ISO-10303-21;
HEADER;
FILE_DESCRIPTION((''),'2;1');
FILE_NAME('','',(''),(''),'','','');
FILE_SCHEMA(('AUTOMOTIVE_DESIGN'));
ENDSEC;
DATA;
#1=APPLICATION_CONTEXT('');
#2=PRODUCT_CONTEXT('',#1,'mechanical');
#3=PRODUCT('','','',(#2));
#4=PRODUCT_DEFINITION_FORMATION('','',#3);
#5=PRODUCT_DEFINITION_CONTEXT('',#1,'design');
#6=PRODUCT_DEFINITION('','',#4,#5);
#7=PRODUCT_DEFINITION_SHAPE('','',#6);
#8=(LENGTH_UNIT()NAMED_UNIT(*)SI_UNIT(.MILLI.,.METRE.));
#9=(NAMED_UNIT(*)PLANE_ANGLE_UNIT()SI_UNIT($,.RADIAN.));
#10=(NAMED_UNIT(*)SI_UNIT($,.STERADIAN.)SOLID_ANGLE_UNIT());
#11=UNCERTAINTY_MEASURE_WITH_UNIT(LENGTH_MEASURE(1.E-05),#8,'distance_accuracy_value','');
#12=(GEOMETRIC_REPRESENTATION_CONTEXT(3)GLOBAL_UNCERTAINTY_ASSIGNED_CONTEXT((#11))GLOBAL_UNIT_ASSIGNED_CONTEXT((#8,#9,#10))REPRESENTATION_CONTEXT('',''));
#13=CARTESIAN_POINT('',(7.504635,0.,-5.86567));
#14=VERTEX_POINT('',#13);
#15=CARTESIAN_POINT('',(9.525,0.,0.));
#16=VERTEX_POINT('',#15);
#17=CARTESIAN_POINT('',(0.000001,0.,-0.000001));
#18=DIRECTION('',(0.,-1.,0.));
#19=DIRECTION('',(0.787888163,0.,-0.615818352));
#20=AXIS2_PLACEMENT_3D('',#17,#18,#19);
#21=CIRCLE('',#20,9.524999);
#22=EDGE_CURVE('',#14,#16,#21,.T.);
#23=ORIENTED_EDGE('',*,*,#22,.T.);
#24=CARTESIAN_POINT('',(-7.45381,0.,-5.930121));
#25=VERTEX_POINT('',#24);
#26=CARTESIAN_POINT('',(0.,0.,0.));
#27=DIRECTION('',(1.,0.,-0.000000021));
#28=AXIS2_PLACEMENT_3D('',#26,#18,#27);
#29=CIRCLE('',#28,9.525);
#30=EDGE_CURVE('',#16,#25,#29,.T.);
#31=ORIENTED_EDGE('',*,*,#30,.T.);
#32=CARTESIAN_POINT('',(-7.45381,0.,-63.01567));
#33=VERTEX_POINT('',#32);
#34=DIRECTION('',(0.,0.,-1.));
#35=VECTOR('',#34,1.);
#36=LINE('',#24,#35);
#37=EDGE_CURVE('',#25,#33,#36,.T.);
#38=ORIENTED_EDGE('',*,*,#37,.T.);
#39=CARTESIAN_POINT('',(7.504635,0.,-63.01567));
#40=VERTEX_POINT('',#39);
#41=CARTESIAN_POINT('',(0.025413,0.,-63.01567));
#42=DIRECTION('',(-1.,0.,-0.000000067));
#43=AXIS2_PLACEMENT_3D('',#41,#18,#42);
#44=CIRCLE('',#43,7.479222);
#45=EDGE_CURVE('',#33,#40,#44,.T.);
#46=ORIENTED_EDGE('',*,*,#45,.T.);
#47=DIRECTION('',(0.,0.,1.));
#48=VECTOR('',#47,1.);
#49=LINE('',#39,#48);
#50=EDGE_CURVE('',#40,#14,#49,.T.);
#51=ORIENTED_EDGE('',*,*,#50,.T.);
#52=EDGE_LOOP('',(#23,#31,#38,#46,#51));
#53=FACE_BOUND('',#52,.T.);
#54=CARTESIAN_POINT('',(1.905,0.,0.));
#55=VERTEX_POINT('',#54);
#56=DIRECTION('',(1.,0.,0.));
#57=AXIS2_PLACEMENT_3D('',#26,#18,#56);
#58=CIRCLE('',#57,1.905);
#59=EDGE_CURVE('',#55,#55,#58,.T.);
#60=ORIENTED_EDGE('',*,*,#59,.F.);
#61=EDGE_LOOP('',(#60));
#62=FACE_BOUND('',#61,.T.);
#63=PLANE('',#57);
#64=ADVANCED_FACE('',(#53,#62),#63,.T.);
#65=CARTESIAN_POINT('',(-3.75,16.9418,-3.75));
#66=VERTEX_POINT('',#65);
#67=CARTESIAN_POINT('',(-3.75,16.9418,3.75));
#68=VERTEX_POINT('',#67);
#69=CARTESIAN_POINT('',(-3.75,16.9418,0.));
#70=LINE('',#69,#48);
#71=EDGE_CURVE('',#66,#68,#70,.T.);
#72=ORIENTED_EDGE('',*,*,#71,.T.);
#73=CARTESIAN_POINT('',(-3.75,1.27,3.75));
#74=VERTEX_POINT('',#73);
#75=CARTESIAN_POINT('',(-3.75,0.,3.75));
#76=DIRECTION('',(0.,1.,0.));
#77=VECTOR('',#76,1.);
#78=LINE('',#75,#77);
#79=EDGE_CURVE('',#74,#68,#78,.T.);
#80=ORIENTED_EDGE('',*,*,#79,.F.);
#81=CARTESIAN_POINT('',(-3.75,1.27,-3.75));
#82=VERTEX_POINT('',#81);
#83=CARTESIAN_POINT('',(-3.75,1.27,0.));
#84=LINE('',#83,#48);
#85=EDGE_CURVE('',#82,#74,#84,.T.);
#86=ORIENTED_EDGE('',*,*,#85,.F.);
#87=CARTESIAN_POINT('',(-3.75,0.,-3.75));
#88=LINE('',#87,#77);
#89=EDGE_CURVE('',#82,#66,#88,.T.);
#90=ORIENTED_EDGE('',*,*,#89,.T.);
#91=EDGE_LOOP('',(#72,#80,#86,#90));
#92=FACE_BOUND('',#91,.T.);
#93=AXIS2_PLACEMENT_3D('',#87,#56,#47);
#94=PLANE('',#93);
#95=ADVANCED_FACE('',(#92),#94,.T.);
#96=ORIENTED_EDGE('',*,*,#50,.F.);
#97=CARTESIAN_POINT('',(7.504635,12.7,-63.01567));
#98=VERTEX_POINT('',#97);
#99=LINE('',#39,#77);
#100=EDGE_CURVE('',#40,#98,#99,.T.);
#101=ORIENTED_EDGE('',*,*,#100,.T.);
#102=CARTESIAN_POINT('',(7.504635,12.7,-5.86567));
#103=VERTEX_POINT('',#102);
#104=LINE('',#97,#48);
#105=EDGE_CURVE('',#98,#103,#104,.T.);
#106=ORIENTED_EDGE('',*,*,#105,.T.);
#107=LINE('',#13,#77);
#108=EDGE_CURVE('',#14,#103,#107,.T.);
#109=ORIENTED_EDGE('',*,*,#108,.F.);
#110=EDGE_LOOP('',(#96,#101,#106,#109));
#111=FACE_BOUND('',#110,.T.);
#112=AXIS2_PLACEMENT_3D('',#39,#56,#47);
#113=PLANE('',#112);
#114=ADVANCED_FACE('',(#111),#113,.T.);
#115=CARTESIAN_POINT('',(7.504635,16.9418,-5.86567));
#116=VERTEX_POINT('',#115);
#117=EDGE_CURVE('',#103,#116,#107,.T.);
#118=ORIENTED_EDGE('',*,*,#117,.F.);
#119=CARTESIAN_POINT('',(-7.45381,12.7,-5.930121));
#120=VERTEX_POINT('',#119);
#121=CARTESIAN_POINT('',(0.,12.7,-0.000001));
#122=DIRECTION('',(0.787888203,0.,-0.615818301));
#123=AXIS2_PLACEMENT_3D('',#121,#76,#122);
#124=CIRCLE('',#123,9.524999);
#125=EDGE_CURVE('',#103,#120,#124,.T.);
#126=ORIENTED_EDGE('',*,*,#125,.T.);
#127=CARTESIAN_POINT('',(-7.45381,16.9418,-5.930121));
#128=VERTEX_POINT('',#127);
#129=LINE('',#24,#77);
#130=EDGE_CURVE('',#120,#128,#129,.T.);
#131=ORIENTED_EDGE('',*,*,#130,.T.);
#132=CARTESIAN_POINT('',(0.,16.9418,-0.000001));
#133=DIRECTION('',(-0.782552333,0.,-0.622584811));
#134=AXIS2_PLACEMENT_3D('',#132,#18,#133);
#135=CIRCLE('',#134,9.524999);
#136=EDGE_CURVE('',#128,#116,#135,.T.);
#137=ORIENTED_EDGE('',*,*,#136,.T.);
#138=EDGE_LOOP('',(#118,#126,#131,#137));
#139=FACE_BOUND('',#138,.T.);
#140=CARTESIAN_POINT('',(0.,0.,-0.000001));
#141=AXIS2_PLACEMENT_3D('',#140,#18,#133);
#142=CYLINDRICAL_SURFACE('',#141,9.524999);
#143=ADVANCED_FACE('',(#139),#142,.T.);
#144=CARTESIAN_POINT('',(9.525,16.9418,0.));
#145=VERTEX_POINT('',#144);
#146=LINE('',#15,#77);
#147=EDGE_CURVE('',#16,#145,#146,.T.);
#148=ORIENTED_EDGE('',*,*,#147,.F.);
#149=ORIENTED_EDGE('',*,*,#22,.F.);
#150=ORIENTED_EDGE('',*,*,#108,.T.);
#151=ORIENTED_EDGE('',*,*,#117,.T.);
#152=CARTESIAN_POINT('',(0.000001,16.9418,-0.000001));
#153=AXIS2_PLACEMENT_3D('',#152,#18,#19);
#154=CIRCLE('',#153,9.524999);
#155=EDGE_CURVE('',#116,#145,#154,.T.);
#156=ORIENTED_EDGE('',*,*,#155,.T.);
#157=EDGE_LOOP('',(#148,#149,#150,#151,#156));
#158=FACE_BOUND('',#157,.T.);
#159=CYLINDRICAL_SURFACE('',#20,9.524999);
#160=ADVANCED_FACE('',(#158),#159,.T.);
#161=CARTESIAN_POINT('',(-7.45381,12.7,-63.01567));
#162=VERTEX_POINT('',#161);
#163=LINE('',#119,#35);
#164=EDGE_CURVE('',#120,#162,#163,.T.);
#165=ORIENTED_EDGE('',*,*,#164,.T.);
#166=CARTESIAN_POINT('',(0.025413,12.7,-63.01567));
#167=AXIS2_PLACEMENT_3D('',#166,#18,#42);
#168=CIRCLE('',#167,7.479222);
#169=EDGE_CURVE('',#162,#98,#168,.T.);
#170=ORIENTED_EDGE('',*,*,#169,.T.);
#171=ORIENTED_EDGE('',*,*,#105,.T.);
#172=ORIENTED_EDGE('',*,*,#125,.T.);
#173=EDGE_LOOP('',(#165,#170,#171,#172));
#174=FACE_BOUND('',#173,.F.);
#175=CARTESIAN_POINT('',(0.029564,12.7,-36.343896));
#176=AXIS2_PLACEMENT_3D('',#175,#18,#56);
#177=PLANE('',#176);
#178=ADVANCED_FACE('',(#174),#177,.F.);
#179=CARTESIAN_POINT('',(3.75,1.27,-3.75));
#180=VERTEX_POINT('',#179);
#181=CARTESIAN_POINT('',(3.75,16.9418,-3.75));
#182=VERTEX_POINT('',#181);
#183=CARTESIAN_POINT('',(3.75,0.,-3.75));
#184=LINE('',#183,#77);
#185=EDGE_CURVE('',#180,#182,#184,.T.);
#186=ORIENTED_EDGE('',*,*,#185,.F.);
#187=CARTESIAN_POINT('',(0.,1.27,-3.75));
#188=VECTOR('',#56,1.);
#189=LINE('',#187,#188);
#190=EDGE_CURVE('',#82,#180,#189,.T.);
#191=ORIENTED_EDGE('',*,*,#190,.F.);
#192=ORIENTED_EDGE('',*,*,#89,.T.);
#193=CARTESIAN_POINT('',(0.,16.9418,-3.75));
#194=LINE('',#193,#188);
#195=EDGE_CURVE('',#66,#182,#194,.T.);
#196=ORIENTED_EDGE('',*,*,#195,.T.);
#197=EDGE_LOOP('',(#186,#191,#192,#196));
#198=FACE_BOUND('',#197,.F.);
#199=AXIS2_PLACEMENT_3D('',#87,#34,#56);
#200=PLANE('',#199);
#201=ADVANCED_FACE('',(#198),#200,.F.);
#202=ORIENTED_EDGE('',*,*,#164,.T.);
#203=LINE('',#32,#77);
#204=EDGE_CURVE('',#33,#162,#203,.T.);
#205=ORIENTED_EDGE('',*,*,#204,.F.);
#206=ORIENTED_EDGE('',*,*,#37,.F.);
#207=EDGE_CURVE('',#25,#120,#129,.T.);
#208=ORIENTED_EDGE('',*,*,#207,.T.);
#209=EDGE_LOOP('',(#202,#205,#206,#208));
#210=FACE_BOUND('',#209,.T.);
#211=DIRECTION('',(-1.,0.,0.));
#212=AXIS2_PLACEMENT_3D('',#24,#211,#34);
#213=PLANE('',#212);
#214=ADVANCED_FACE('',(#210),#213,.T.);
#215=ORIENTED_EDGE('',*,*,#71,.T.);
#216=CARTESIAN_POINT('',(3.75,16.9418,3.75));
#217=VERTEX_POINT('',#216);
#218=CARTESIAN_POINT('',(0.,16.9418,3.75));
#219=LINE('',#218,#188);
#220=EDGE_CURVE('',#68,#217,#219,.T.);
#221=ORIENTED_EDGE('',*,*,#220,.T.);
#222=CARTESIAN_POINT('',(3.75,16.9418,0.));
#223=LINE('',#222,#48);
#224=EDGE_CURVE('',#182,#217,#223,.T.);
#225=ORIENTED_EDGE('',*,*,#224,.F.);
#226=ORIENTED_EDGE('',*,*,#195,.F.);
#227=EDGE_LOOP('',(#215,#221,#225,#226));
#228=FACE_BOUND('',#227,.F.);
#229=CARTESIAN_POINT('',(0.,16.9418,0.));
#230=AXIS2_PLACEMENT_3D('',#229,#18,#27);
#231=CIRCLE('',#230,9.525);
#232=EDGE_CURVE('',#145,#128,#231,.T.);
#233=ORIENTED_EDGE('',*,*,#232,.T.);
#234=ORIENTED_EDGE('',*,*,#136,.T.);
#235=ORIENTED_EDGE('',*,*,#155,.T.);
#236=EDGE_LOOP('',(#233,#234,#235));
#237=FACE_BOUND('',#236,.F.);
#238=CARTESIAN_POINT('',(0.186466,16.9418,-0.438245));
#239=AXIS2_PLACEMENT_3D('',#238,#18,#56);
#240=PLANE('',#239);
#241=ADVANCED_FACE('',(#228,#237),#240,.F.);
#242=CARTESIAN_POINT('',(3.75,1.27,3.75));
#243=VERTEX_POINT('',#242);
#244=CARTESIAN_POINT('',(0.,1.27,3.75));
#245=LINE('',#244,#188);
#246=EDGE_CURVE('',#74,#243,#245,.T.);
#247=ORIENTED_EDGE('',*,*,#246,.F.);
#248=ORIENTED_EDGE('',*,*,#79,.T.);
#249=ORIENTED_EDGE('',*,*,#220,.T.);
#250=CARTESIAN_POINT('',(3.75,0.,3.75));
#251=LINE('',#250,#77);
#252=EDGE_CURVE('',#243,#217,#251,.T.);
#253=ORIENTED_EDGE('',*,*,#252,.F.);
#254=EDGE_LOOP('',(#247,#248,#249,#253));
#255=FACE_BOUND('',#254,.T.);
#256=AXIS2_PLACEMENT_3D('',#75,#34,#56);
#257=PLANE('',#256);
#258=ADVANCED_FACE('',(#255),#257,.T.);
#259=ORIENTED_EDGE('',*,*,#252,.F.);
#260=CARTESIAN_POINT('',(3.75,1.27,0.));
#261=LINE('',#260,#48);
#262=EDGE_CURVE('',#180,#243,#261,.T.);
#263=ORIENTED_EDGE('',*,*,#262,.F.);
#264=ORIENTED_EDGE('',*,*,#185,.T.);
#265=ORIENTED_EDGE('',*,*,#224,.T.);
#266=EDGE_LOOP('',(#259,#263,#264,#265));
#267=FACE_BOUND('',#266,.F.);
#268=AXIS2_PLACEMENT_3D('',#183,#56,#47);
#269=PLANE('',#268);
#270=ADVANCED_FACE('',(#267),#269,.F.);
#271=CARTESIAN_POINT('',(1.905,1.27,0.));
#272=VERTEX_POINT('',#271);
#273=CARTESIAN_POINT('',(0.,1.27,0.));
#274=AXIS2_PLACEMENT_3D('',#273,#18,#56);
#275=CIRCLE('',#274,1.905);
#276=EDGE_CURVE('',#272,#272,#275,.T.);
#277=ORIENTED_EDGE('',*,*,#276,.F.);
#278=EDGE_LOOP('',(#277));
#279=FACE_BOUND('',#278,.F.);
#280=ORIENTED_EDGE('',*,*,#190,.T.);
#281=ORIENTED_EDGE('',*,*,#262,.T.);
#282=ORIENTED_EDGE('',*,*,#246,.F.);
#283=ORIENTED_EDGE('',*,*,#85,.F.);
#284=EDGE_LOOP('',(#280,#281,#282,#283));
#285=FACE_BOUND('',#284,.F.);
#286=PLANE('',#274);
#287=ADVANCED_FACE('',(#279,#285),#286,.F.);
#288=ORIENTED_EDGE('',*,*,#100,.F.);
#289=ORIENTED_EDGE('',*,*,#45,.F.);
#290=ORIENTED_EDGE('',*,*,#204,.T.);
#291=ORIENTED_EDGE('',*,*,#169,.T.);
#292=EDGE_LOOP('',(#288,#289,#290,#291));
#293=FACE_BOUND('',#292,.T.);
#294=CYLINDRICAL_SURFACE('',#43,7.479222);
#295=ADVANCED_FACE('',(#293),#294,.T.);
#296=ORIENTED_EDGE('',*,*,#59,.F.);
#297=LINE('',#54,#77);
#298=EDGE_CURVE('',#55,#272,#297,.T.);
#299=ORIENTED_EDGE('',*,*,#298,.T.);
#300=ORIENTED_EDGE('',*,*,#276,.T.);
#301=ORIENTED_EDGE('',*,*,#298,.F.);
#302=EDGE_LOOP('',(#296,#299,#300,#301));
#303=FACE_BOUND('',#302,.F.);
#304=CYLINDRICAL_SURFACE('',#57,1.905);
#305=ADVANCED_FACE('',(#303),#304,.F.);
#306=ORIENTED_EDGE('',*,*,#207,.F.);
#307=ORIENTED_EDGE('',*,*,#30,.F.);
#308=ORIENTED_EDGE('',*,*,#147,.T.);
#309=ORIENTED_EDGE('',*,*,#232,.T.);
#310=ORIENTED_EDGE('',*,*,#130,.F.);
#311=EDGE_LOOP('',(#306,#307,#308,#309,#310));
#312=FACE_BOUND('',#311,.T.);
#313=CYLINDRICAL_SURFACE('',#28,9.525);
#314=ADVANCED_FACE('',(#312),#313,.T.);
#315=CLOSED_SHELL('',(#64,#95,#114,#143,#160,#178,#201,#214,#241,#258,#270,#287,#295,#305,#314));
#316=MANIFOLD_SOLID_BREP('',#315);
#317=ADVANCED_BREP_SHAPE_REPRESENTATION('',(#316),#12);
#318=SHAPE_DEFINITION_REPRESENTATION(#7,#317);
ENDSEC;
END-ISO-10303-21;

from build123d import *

# Parameters (mm, degrees)
F0_W     = 7.5
F0_H     = 7.5
F1_DEPTH = 16.9418
F2_DEPTH = 12.7
F0_R     = 1.905
F3_DEPTH = 1.27


with BuildPart() as f1:
    # F0 (on Front) → F1 (new body)
    with BuildSketch(Plane.XZ):
        with BuildLine():
            ThreePointArc((7.504635, -5.86567), (9.005756, -3.101933), (9.525, 0))
            ThreePointArc((9.525, 0), (-3.140707, 8.992307), (-7.45381, -5.930121))
            ThreePointArc((-7.45381, -5.930121), (0.04104, -9.524912), (7.504635, -5.86567))
        make_face()
        Rectangle(F0_W, F0_H, mode=Mode.SUBTRACT)
    extrude(amount=-F1_DEPTH)

    # F0 (on Front) → F2 (join)
    with BuildSketch(Plane.XZ):
        with BuildLine():
            ThreePointArc((7.504635, -5.86567), (0.04104, -9.524912), (-7.45381, -5.930121))
            Line((-7.45381, -5.930121), (-7.45381, -63.01567))
            ThreePointArc((-7.45381, -63.01567), (0.025412, -70.494892), (7.504635, -63.01567))
            Line((7.504635, -63.01567), (7.504635, -5.86567))
        make_face()
    extrude(amount=-F2_DEPTH)

    # F0 (on Front) → F3 (join)
    with BuildSketch(Plane.XZ):
        Rectangle(F0_W, F0_H)
        Circle(F0_R, mode=Mode.SUBTRACT)
    extrude(amount=-F3_DEPTH)


solid = f1.part
